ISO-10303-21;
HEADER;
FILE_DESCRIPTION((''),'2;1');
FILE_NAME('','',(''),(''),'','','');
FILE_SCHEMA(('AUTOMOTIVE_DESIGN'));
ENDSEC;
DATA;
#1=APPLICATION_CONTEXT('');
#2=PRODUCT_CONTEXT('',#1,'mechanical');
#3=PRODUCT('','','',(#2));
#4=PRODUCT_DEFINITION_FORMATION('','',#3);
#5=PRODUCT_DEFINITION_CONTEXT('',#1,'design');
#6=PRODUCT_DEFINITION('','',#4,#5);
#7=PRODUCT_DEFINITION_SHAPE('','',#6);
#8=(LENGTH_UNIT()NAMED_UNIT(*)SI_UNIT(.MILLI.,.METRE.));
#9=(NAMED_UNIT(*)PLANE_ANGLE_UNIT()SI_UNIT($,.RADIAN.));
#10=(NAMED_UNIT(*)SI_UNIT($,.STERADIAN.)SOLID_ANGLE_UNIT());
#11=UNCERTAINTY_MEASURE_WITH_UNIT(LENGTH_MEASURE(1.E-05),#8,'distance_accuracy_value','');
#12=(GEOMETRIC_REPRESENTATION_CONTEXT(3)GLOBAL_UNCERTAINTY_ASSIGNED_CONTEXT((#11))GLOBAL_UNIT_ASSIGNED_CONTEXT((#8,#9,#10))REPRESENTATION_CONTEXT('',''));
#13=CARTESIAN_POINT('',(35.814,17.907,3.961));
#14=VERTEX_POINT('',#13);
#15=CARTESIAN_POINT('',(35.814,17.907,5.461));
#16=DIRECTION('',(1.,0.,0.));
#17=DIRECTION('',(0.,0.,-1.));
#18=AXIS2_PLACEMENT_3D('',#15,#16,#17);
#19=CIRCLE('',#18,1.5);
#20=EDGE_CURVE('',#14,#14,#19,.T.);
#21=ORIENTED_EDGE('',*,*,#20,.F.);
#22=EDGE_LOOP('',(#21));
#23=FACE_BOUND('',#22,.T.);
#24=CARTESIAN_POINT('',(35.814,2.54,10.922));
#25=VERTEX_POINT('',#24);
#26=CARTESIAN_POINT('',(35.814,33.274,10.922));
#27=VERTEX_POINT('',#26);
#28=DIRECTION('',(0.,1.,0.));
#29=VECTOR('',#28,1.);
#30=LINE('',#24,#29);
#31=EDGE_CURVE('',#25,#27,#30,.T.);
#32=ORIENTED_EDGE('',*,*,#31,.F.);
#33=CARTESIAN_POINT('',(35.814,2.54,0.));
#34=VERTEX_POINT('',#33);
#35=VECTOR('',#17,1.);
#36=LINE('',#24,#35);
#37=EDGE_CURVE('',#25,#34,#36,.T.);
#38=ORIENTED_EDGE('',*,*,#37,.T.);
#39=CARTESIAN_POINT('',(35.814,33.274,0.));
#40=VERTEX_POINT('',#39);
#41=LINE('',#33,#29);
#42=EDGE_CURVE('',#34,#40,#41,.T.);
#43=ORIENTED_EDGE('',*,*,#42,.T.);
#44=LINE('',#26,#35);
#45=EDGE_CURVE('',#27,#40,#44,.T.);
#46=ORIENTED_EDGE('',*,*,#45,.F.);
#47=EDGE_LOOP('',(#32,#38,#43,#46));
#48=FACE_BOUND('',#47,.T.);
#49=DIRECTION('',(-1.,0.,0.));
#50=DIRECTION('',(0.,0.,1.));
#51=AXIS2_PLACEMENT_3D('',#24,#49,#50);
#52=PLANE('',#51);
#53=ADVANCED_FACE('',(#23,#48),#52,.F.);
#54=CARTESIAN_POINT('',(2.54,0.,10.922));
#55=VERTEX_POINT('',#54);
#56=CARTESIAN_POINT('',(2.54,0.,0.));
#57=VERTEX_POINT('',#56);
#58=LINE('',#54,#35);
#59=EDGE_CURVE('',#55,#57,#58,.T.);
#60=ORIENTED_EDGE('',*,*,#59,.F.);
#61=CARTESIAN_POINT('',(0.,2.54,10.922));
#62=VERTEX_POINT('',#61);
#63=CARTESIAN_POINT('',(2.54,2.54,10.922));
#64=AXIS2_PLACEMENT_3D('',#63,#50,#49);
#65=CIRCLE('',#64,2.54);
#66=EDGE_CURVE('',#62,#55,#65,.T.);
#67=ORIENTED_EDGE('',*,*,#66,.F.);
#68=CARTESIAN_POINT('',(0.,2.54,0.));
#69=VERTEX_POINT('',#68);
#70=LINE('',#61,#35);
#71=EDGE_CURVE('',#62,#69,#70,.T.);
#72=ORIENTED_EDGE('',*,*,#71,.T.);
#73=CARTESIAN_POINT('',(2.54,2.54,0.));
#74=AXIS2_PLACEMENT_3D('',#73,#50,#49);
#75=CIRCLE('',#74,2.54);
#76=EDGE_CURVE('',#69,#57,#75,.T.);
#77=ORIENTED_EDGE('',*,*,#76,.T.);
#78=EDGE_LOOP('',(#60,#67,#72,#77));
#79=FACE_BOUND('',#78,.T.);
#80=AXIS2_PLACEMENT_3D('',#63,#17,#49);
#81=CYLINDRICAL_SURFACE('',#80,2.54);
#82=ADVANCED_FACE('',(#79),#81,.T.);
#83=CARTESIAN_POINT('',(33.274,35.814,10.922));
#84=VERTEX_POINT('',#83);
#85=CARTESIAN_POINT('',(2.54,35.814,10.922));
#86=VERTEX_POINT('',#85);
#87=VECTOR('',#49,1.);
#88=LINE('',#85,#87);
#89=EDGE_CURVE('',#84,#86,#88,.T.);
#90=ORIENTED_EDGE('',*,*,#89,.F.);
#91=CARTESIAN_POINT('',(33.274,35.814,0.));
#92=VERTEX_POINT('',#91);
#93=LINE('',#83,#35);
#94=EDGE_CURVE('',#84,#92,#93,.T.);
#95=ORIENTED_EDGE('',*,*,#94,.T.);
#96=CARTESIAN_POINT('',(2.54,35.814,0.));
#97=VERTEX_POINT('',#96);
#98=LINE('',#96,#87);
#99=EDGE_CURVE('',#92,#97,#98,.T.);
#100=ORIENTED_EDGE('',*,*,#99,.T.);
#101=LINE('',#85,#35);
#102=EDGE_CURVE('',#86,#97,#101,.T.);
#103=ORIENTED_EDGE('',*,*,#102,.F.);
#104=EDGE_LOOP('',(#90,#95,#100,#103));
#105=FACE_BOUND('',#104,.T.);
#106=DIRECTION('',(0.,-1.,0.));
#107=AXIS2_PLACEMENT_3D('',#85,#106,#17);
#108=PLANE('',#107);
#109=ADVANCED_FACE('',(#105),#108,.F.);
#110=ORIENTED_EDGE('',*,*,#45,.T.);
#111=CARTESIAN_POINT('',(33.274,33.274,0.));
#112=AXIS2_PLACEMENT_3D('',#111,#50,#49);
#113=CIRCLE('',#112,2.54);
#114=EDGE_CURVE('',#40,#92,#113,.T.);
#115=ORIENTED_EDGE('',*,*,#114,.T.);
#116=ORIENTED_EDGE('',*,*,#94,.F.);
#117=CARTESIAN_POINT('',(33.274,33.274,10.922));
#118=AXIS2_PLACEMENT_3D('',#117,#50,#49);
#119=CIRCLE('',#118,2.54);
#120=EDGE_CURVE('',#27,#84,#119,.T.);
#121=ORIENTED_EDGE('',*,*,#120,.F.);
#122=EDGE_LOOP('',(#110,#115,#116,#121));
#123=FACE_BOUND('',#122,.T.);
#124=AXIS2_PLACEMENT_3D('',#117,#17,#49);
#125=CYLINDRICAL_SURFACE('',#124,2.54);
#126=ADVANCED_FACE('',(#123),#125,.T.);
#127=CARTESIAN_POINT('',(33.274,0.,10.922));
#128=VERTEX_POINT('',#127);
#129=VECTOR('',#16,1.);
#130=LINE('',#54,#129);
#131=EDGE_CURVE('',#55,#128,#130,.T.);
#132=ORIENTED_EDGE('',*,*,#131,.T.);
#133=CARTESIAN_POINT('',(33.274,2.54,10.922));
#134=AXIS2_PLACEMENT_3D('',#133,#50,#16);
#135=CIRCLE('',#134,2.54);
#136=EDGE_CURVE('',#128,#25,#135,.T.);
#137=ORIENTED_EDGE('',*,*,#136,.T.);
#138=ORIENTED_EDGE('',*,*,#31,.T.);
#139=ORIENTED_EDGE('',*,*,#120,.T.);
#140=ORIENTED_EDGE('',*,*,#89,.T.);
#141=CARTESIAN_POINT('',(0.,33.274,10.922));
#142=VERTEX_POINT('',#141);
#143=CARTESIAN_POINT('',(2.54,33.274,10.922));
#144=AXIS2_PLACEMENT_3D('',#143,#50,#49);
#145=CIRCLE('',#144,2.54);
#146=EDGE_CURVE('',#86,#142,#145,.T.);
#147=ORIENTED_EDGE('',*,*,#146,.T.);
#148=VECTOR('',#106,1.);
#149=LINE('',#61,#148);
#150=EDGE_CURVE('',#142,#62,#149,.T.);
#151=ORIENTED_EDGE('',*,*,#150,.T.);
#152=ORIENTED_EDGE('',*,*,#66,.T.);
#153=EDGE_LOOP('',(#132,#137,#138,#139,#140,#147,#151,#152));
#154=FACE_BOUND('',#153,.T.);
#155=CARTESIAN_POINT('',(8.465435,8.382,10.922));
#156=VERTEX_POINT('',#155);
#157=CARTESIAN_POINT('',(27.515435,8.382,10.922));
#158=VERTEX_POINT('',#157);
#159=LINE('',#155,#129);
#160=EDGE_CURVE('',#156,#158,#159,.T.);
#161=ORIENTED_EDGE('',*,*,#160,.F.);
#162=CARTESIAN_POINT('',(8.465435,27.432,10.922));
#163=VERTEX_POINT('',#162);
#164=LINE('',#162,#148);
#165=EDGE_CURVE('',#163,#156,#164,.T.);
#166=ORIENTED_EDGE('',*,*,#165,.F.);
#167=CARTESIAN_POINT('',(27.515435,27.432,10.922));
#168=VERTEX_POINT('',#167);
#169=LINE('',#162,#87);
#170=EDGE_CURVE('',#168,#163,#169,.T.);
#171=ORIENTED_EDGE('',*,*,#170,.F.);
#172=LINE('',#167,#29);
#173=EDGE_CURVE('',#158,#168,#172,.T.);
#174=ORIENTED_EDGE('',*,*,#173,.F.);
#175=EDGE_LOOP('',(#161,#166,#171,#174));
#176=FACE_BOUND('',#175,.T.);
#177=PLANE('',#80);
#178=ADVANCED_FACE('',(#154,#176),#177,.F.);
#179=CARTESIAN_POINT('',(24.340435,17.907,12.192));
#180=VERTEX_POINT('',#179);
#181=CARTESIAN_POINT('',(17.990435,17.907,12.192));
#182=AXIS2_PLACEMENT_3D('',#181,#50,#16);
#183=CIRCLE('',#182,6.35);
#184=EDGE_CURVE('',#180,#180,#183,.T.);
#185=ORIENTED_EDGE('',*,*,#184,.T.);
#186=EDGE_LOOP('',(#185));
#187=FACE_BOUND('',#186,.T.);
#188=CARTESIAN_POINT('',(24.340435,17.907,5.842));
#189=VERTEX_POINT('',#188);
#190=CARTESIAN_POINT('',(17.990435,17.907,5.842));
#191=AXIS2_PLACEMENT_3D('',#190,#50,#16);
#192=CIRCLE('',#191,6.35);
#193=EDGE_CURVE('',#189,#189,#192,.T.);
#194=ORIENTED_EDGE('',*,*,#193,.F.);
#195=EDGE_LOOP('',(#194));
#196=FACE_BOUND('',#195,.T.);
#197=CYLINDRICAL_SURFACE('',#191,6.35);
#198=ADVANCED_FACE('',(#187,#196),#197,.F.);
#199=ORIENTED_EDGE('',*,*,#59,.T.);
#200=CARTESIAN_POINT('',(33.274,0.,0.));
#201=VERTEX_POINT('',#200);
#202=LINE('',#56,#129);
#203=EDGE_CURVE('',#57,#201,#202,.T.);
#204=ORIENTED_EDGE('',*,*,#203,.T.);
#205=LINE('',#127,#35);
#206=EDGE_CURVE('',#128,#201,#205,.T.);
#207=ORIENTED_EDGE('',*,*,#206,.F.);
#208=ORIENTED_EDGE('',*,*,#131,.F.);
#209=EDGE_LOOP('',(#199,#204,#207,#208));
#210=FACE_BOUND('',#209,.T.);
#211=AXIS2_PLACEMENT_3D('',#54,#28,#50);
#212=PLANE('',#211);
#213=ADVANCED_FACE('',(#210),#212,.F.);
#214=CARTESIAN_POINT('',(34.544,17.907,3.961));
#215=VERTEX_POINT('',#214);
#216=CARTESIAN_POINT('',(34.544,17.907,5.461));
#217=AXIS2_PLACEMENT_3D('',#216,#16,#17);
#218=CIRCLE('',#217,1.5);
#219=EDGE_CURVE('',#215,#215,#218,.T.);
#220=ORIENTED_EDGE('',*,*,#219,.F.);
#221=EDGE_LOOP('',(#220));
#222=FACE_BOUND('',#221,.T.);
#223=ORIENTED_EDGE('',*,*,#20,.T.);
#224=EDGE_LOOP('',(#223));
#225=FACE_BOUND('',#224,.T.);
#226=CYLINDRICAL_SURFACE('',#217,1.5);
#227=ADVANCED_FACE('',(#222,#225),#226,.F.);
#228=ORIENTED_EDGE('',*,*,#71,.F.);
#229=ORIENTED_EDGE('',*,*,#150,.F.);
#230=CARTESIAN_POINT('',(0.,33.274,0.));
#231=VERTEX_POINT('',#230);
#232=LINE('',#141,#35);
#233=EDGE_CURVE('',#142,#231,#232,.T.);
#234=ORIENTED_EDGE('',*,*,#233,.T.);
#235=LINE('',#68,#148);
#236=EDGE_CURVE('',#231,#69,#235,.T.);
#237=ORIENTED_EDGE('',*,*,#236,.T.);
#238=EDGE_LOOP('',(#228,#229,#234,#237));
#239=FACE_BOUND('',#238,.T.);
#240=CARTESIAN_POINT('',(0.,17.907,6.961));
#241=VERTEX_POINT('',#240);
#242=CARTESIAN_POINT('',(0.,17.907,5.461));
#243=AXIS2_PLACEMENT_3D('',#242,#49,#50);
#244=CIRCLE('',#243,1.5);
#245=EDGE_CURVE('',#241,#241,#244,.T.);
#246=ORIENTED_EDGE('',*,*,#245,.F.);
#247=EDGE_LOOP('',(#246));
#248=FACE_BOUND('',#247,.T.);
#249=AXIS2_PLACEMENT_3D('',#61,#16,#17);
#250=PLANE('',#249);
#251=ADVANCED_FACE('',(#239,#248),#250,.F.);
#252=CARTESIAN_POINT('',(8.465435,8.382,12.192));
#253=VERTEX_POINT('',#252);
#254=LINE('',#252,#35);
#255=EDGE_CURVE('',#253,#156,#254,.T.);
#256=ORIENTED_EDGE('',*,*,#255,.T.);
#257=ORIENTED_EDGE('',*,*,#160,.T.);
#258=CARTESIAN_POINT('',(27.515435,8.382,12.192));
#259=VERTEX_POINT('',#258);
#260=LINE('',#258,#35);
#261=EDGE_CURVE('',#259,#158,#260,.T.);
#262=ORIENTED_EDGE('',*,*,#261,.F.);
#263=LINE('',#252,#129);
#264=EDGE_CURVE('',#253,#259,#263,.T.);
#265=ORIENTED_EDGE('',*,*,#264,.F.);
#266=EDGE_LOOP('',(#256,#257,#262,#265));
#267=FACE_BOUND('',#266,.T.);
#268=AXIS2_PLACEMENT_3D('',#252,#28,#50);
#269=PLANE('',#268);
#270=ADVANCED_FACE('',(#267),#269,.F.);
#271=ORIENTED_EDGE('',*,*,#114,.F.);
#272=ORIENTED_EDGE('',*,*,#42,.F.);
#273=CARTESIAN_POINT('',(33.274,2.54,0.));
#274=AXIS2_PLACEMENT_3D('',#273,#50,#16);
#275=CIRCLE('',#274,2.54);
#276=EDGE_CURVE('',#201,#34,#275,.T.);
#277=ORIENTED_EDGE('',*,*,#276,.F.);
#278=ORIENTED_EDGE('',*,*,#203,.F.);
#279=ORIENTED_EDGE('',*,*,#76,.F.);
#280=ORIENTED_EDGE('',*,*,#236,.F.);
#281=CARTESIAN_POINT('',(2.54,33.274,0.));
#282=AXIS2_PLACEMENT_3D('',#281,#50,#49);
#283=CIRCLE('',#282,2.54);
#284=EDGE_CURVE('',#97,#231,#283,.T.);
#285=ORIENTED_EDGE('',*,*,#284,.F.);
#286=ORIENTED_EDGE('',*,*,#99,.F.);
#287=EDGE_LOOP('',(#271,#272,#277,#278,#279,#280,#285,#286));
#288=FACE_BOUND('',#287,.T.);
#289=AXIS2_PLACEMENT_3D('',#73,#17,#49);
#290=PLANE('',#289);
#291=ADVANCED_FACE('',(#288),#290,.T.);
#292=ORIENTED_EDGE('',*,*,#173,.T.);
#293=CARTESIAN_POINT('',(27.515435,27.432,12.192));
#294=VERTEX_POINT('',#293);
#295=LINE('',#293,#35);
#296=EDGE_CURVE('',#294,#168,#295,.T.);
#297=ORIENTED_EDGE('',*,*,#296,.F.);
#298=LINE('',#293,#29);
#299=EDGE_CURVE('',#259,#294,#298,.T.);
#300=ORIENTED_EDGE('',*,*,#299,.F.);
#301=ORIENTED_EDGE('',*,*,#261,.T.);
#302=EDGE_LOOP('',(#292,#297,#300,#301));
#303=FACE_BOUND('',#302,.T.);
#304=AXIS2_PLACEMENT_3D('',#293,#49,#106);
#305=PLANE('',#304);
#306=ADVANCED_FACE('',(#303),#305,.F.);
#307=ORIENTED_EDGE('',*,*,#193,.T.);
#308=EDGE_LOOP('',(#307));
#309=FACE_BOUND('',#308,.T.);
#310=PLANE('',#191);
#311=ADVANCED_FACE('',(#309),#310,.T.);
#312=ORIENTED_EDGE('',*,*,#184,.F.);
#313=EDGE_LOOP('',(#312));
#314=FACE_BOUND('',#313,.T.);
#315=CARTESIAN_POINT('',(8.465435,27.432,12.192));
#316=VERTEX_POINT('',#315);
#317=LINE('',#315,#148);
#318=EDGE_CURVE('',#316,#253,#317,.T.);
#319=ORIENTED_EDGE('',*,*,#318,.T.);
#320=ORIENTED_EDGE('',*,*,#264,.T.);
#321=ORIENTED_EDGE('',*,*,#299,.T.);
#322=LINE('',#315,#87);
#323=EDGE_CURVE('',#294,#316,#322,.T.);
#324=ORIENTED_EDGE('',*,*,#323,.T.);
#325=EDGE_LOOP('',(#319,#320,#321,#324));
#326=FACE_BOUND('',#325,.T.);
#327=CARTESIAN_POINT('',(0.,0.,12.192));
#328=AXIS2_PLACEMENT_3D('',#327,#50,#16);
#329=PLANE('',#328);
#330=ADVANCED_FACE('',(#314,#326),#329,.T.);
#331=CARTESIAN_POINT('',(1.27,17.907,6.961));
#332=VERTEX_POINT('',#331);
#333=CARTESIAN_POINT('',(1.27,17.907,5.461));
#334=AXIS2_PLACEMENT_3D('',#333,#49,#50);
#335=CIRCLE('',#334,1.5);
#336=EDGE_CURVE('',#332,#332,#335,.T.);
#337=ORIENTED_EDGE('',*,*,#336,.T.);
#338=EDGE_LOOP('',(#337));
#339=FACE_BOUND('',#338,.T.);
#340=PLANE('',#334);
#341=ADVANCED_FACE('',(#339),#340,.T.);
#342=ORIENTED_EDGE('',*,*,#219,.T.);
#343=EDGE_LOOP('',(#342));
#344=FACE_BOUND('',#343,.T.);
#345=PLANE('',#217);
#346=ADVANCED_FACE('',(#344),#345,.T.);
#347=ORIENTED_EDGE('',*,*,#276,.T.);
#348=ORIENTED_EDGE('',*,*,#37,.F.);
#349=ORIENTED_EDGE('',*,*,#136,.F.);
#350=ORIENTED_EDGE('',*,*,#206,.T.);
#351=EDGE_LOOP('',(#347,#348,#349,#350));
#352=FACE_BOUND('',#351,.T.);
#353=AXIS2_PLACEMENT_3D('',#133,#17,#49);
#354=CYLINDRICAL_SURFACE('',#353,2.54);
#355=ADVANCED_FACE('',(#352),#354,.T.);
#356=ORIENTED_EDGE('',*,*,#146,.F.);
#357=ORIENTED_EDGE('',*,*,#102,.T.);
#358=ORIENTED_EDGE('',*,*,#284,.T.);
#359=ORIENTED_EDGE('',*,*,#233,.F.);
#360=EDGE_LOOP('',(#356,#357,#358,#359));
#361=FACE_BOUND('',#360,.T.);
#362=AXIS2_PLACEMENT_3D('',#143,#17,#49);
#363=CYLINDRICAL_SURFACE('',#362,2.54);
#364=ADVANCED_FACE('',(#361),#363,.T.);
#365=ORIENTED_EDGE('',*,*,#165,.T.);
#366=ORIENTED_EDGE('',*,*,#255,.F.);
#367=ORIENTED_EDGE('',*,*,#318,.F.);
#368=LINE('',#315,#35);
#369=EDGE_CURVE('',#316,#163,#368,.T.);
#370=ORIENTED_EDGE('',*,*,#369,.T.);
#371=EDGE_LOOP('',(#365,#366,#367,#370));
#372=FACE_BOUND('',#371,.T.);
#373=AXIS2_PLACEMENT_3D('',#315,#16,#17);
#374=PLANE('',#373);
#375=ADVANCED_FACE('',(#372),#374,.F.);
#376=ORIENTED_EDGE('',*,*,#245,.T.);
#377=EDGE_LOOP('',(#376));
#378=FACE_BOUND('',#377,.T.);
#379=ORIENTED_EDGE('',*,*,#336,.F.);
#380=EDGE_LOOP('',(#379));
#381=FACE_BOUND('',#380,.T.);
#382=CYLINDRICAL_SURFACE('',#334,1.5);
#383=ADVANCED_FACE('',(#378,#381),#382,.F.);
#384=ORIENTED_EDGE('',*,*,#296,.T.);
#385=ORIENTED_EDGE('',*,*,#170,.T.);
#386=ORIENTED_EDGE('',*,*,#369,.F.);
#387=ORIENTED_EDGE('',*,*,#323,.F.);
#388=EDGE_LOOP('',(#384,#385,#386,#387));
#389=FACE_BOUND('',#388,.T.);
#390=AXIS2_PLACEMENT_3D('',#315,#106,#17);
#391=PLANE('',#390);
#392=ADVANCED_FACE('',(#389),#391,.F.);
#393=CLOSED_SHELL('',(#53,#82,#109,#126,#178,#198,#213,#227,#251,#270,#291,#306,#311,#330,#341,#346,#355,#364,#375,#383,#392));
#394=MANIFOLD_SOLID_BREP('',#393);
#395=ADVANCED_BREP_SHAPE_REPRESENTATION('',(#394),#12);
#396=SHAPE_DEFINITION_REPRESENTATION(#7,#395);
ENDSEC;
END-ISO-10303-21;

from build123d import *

# Parameters (mm, degrees)
BOSS_EXTRUDE1_DEPTH = 10.922
SKETCH2_W           = 19.05
SKETCH2_H           = 19.05
BOSS_EXTRUDE2_DEPTH = 1.27
SKETCH3_R           = 6.35
CUT_EXTRUDE1_DEPTH  = 6.35
SKETCH4_R           = 1.500000048
CUT_EXTRUDE2_DEPTH  = 1.27
CUT_EXTRUDE3_START  = -1.27
SKETCH5_R           = 1.500000048
CUT_EXTRUDE3_DEPTH  = 1.27


with BuildPart() as part:
    # Sketch1 → Boss-Extrude1 (new body)
    with BuildSketch(Plane.XY):
        with BuildLine():
            Line((2.54, 0), (33.274, 0))
            ThreePointArc((33.274, 0), (35.070051224, 0.743948776), (35.814, 2.54))
            Line((35.814, 2.54), (35.814, 33.274))
            ThreePointArc((35.814, 33.274), (35.070051224, 35.070051224), (33.274, 35.814))
            Line((33.274, 35.814), (2.54, 35.814))
            ThreePointArc((2.54, 35.814), (0.743948776, 35.070051224), (0, 33.274))
            Line((0, 33.274), (0, 2.54))
            ThreePointArc((0, 2.54), (0.743948776, 0.743948776), (2.54, 0))
        make_face()
    extrude(amount=BOSS_EXTRUDE1_DEPTH)

    # Sketch2 → Boss-Extrude2 (add)
    with BuildSketch(Plane.XY.offset(10.922)):
        with Locations((17.990434567, 17.907)):
            Rectangle(SKETCH2_W, SKETCH2_H)
    extrude(amount=BOSS_EXTRUDE2_DEPTH)

    # Sketch3 → Cut-Extrude1 (cut)
    with BuildSketch(Plane.XY.offset(12.192)):
        with Locations((17.990434567, 17.907)):
            Circle(SKETCH3_R)
    extrude(amount=-CUT_EXTRUDE1_DEPTH, mode=Mode.SUBTRACT)

    # Sketch4 → Cut-Extrude2 (cut)
    with BuildSketch(Plane.ZY):
        with Locations((5.461, 17.907)):
            Circle(SKETCH4_R)
    extrude(amount=-CUT_EXTRUDE2_DEPTH, mode=Mode.SUBTRACT)

    # Sketch5 → Cut-Extrude3 (cut)
    with BuildSketch(Plane(origin=(35.814, 0, 0), x_dir=(0, 0, -1), z_dir=(1, 0, 0)).offset(CUT_EXTRUDE3_START)):
        with Locations(Location((-5.461, 17.907, 0), (0, 0, 180))):
            Circle(SKETCH5_R)
    extrude(amount=CUT_EXTRUDE3_DEPTH, mode=Mode.SUBTRACT)


solid = part.part
